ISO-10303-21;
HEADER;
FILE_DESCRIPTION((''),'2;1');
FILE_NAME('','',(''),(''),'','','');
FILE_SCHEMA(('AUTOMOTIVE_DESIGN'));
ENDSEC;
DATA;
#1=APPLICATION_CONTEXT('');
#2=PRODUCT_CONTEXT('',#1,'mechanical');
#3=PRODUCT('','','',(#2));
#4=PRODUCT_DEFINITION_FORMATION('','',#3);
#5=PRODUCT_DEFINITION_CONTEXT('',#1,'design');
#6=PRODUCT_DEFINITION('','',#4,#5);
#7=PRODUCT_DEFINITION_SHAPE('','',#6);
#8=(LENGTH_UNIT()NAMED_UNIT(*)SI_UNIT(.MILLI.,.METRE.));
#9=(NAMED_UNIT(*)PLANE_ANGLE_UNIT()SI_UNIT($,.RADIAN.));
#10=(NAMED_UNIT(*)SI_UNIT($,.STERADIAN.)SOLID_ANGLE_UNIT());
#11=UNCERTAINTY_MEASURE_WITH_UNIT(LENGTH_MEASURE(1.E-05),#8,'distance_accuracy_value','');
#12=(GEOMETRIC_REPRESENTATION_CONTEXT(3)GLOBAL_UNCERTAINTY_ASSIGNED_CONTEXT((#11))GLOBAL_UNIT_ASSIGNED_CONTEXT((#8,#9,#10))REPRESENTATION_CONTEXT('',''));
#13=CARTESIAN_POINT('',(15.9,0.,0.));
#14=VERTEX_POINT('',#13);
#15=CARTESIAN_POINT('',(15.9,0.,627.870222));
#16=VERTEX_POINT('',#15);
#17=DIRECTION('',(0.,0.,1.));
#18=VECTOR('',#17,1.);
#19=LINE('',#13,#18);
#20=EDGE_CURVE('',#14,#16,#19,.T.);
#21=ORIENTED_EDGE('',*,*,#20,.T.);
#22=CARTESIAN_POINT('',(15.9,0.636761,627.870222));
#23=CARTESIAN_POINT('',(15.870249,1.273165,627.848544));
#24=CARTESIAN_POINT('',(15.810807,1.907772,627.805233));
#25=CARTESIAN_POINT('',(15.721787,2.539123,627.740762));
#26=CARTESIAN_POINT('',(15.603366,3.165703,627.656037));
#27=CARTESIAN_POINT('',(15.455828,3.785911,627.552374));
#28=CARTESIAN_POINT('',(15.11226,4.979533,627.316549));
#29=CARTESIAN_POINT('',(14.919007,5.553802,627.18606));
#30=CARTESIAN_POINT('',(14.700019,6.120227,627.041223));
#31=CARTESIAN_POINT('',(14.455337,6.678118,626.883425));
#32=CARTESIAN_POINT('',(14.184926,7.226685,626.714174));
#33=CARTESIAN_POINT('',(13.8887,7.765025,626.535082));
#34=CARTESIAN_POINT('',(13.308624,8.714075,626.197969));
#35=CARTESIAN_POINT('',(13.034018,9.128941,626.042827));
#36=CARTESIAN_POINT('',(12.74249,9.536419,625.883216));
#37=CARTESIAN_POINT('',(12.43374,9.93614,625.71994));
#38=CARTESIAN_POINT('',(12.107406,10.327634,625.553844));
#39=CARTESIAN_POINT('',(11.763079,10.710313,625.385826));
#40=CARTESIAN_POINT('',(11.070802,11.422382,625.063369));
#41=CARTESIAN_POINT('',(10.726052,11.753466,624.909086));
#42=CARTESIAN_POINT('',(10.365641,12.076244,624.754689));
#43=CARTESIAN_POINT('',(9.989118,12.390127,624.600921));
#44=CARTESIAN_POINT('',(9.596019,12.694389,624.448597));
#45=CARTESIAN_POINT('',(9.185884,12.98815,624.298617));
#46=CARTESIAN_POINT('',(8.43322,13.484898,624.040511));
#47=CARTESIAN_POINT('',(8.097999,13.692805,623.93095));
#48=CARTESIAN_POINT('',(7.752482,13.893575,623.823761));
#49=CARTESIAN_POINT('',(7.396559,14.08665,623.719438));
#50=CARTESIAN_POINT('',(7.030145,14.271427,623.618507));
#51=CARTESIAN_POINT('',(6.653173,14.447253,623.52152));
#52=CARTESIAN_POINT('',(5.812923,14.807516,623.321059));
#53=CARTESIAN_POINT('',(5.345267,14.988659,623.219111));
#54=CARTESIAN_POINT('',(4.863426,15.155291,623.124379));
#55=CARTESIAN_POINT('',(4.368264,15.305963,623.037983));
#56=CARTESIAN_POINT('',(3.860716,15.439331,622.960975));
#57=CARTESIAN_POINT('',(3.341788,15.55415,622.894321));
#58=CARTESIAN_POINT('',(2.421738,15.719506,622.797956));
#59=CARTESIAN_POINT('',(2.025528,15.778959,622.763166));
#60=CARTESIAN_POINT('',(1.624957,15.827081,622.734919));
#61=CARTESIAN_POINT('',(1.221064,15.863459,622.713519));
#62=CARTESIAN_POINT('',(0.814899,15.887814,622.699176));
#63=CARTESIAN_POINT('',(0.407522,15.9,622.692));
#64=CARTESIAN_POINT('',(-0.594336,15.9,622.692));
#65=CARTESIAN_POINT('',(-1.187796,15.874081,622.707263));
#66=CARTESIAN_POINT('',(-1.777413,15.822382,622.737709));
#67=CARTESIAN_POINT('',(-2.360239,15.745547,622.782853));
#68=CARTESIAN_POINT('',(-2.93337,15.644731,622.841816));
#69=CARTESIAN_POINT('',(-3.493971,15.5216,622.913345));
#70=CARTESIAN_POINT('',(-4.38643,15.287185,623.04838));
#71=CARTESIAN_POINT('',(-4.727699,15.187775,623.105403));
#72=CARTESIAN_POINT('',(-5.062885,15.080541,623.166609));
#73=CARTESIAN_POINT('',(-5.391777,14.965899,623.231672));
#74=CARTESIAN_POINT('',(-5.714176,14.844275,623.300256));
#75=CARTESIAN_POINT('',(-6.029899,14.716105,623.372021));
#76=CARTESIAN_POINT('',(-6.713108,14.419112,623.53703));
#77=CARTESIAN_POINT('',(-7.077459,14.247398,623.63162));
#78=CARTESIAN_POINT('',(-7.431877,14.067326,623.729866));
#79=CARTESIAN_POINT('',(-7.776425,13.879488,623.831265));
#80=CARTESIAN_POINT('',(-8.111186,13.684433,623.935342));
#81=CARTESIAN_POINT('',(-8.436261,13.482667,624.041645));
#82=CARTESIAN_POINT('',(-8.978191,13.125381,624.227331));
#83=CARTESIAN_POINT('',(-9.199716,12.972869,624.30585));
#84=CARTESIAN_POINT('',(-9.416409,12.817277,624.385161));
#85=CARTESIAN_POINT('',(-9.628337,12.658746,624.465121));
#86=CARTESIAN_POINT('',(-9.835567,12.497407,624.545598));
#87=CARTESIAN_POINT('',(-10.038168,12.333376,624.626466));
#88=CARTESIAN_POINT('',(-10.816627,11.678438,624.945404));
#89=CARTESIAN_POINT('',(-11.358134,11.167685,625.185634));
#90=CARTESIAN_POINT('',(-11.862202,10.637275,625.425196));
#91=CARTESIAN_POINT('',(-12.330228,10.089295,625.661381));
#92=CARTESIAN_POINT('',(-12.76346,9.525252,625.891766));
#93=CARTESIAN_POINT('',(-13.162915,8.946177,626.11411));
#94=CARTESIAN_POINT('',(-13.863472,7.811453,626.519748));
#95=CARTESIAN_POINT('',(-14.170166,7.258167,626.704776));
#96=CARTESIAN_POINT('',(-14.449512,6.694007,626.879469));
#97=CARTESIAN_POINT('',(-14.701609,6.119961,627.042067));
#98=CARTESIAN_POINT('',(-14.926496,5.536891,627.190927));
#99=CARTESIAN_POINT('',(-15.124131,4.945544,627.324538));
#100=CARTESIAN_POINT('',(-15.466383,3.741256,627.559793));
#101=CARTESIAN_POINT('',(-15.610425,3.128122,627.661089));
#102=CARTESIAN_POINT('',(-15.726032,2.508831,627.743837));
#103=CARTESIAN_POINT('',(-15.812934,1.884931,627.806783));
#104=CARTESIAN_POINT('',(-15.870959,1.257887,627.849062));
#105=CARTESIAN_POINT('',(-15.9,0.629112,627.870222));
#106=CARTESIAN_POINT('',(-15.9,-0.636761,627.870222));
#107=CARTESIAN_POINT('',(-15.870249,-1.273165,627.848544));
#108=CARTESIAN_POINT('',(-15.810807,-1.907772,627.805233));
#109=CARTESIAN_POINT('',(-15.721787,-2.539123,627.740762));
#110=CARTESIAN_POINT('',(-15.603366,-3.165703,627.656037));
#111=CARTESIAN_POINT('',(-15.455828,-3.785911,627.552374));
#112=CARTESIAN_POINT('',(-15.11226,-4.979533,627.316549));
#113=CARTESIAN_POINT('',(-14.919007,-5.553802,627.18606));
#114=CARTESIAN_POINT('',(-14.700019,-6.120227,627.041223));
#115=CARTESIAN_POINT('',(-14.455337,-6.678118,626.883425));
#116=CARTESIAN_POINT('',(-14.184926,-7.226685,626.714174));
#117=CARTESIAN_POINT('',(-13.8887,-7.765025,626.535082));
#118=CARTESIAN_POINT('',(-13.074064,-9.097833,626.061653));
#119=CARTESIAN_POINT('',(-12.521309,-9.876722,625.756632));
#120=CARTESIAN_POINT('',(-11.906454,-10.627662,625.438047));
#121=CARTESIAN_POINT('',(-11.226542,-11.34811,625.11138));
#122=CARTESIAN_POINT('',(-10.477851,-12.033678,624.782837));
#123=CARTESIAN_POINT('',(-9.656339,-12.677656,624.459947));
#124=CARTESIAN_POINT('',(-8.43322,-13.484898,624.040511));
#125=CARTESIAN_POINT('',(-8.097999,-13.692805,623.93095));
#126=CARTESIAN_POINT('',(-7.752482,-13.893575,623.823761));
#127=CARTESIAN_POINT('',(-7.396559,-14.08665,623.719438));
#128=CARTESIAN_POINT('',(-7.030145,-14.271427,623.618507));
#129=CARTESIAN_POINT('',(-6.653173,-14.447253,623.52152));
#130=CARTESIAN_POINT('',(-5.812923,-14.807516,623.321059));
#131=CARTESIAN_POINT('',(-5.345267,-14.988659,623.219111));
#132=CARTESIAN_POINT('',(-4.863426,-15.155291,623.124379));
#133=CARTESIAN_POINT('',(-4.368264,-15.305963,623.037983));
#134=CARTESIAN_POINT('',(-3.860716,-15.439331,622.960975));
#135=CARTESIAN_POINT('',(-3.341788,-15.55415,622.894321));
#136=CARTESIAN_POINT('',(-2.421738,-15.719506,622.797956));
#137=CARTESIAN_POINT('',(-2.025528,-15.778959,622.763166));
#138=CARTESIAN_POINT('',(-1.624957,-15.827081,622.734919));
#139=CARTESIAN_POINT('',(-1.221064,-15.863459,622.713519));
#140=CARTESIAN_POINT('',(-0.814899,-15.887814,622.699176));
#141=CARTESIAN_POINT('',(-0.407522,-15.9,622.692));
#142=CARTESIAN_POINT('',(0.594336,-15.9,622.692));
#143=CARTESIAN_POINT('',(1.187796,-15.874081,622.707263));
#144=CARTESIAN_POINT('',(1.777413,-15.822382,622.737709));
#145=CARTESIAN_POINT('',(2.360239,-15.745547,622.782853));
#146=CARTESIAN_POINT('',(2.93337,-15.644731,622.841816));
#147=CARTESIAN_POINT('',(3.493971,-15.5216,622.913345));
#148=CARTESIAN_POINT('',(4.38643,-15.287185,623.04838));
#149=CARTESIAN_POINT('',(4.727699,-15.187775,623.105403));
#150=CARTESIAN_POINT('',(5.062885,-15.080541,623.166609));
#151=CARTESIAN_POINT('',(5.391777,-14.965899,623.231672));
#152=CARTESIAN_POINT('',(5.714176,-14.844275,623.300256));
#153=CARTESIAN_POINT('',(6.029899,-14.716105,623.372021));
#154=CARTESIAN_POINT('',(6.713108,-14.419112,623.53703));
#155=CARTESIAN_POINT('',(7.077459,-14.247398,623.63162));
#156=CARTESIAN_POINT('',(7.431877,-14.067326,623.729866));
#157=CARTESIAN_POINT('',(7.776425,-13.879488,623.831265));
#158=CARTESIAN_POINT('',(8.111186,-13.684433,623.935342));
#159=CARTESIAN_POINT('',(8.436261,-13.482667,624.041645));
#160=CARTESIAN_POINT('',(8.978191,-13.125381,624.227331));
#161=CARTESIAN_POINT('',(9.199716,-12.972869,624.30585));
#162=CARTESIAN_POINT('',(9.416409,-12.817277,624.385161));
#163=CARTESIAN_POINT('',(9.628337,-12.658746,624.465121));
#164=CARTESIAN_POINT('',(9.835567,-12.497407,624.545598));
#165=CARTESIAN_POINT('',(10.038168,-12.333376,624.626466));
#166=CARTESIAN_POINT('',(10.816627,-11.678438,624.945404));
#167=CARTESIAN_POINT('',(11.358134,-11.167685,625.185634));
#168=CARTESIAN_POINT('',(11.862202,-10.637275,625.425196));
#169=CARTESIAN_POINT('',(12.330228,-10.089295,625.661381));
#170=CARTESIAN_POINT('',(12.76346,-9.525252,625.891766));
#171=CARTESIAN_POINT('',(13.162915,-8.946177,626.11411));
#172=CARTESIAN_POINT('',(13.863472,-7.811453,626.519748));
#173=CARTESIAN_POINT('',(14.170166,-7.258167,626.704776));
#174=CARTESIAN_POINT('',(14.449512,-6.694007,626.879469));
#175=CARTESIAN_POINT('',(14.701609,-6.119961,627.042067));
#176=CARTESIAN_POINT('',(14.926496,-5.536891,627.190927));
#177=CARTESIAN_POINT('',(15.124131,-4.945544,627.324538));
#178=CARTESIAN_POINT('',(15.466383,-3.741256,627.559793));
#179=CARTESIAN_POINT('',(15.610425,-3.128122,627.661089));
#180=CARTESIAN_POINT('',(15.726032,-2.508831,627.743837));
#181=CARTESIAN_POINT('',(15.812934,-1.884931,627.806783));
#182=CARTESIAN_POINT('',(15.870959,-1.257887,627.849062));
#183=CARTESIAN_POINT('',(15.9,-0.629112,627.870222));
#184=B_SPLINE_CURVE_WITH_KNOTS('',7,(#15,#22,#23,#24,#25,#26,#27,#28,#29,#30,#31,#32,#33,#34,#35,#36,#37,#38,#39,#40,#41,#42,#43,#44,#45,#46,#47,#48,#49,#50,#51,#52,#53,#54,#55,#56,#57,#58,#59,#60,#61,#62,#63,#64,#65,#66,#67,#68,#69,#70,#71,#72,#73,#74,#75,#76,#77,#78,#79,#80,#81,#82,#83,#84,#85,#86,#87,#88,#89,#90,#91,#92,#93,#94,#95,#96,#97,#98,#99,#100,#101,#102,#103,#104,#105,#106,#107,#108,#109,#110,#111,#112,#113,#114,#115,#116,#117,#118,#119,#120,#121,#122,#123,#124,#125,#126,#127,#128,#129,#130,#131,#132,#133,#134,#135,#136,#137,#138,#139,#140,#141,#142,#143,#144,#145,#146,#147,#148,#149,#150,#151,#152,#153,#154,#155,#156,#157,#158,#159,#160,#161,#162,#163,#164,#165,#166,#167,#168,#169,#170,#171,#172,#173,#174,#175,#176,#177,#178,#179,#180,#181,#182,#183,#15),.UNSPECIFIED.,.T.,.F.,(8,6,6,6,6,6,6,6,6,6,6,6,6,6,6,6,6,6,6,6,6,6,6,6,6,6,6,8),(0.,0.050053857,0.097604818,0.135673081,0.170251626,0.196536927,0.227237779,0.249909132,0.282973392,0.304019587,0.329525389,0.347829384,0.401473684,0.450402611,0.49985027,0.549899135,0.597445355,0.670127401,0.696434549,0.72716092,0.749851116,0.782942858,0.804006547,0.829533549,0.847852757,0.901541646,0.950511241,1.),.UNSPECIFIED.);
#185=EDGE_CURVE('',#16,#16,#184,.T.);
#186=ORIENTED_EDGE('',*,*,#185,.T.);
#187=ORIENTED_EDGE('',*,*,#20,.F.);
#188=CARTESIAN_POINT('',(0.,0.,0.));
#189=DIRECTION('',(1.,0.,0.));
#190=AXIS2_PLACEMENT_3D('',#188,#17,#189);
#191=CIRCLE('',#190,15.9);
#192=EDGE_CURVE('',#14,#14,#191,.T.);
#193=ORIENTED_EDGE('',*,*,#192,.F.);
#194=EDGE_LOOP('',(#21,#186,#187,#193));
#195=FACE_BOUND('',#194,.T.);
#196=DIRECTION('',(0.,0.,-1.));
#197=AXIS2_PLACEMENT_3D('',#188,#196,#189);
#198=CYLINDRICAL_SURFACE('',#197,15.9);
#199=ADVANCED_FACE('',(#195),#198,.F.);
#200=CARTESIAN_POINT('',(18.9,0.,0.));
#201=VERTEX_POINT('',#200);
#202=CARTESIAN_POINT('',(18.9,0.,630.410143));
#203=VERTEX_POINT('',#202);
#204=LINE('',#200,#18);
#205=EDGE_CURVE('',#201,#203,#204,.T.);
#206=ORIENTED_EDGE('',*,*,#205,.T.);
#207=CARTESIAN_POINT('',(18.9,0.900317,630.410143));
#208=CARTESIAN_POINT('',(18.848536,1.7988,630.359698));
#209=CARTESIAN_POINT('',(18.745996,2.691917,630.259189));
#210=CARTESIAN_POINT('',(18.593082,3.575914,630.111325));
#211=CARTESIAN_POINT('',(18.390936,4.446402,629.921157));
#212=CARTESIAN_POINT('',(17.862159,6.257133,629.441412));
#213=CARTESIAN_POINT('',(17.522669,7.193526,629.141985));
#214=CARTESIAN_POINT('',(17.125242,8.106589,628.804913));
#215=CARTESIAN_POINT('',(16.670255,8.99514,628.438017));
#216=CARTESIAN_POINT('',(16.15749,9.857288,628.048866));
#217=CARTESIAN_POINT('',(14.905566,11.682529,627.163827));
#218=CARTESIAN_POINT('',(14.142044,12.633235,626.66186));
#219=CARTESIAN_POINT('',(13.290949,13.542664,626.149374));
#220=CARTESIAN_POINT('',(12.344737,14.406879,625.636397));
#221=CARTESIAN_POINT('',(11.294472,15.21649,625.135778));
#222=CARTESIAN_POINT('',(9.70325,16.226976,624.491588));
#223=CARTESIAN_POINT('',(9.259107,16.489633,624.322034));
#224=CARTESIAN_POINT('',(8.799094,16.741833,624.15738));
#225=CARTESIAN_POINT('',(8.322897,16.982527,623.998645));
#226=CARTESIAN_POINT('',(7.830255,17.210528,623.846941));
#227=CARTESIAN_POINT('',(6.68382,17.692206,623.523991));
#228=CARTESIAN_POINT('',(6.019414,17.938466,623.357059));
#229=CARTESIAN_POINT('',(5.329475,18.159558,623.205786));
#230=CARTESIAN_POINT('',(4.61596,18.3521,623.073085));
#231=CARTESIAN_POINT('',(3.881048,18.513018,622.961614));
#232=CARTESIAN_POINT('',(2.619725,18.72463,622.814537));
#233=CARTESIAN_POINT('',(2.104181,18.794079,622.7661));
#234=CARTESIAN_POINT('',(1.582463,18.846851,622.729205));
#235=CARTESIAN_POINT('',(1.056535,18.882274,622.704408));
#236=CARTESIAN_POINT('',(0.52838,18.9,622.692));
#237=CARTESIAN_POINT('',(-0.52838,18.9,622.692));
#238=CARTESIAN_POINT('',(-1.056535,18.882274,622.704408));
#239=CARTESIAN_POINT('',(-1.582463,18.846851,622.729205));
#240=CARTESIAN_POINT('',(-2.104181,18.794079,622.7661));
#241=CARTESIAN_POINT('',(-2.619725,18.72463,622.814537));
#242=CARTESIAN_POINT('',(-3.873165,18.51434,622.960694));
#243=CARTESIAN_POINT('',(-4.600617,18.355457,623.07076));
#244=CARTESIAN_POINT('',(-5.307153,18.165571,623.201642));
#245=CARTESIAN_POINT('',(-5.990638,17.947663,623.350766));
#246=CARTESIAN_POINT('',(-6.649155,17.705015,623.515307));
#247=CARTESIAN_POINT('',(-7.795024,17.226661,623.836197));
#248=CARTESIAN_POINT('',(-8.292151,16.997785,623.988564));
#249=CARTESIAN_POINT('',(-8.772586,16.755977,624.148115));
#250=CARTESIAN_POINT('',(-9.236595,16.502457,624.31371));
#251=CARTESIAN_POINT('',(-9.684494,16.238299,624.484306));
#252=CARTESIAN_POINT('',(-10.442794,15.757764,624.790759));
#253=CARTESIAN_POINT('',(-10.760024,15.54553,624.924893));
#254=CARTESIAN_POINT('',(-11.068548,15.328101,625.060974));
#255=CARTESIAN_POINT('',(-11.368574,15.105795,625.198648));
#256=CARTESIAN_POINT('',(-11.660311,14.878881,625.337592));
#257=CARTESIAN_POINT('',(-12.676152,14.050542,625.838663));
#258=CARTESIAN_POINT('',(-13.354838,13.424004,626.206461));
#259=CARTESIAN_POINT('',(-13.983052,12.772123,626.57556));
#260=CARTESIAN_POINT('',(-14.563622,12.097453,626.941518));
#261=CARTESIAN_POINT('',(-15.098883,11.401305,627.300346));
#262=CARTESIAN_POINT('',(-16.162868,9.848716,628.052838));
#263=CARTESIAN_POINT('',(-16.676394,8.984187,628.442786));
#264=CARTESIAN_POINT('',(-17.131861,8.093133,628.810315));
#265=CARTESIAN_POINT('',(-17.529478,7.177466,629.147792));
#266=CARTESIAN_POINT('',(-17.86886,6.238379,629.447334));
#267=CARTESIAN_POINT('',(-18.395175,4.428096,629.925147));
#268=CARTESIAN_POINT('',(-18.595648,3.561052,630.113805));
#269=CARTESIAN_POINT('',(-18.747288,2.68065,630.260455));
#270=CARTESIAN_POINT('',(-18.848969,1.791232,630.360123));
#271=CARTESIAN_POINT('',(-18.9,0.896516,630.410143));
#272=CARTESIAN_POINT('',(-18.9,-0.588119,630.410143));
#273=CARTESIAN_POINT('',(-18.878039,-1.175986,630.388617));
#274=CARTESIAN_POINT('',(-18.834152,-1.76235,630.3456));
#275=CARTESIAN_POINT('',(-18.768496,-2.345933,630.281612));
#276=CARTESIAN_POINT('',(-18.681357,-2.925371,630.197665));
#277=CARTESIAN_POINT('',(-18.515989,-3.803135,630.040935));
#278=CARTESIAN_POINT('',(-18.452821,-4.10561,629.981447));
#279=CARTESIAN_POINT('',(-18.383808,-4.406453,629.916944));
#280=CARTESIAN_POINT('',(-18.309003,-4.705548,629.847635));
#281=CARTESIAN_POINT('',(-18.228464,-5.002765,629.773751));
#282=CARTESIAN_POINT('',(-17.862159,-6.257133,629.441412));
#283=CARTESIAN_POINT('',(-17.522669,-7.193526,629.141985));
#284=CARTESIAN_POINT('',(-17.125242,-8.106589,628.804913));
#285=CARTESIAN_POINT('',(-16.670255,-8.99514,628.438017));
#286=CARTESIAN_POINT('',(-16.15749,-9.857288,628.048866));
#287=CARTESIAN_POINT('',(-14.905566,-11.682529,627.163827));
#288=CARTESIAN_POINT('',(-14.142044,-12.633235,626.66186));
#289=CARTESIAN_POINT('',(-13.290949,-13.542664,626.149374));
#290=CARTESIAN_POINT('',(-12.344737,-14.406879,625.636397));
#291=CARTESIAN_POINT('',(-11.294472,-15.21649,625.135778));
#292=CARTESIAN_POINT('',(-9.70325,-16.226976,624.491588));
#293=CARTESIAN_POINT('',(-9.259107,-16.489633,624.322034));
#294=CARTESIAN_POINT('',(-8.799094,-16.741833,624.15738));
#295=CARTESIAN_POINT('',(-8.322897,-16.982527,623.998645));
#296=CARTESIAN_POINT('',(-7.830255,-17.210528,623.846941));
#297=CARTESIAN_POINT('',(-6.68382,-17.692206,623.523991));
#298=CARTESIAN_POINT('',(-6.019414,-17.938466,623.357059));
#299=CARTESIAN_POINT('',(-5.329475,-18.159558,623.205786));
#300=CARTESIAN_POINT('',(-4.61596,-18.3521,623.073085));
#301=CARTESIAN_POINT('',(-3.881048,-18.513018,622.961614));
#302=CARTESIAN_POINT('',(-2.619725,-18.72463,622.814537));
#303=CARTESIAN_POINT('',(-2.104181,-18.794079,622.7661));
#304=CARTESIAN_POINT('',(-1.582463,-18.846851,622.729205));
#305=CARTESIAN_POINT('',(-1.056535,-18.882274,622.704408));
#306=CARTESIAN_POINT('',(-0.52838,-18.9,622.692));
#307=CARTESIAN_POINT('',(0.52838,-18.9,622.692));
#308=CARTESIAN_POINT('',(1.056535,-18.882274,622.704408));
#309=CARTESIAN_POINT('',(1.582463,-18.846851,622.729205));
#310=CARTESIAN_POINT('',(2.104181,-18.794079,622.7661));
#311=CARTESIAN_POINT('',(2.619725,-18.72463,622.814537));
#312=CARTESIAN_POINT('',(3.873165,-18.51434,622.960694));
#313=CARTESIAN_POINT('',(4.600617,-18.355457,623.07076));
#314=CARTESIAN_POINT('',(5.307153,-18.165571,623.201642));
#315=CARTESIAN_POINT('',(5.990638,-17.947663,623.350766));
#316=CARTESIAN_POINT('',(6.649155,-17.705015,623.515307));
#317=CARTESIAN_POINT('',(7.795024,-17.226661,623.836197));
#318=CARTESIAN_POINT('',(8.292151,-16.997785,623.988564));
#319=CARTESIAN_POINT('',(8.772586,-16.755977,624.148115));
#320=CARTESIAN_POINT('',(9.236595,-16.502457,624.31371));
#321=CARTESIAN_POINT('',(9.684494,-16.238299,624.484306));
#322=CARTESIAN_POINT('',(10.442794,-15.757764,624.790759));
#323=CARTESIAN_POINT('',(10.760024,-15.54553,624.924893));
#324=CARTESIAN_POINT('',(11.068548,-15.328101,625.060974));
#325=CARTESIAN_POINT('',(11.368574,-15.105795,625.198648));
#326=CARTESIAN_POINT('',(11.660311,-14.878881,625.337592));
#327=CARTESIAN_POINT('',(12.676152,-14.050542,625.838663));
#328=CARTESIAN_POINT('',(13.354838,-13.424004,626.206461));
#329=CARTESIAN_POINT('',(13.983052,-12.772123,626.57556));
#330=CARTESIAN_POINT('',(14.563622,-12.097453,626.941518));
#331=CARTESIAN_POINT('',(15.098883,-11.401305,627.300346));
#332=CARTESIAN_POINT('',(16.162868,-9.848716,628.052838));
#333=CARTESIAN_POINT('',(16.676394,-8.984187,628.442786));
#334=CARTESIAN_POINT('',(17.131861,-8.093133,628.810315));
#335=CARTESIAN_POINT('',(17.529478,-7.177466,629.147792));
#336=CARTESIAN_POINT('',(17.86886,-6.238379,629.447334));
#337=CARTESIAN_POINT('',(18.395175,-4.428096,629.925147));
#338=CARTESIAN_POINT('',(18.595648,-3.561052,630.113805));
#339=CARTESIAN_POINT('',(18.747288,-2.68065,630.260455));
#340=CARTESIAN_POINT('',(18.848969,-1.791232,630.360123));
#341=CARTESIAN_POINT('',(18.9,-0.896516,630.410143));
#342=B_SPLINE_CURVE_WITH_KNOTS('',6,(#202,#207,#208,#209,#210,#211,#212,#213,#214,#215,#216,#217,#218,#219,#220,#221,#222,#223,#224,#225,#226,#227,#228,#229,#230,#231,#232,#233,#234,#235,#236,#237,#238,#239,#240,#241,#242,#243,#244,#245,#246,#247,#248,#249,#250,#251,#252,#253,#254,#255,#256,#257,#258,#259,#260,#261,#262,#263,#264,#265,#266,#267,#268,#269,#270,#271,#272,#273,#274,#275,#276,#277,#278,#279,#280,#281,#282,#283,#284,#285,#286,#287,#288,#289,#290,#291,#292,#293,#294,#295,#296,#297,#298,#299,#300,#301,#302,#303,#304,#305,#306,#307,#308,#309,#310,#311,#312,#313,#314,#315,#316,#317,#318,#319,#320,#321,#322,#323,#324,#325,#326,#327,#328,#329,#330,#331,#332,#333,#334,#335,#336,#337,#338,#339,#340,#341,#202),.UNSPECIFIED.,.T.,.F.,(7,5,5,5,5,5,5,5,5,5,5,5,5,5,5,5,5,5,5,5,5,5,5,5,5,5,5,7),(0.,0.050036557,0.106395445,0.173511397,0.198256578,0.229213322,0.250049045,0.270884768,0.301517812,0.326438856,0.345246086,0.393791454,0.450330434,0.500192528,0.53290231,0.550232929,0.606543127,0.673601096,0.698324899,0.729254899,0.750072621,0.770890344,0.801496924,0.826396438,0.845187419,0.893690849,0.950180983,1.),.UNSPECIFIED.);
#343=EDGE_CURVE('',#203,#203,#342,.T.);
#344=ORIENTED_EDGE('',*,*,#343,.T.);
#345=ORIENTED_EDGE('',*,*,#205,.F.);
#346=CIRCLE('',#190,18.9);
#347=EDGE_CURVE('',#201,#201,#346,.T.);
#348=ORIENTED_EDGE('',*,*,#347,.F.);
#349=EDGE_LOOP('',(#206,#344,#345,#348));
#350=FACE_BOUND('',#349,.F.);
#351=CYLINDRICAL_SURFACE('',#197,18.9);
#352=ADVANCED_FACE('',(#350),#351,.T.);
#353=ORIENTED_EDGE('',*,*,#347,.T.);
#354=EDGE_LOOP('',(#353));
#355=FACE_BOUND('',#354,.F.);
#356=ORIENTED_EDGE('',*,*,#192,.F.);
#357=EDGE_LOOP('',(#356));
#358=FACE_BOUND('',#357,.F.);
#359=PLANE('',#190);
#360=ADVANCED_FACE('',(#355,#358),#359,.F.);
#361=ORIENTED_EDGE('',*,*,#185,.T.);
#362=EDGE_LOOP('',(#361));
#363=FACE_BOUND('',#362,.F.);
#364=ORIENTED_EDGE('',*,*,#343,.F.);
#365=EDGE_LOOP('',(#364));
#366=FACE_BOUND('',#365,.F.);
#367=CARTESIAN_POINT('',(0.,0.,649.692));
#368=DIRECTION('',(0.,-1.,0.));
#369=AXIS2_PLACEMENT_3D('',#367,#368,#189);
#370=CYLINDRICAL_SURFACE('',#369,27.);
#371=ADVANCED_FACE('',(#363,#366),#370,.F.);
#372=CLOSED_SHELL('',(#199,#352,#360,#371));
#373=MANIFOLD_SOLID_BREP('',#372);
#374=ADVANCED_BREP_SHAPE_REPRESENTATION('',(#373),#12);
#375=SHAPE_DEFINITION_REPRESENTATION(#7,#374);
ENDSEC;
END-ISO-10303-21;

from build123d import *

# Parameters (mm, degrees)
F0_R     = 18.9
F0_R_2   = 15.9
F1_DEPTH = 649.692
F5_R     = 27
F6_DEPTH = 50


with BuildPart() as f1:
    # F0 (on Top) → F1 (new body)
    with BuildSketch(Plane.XY):
        Circle(F0_R)
        Circle(F0_R_2, mode=Mode.SUBTRACT)
    extrude(amount=F1_DEPTH)

    # F5 (on face) → F6 (cut, symmetric)
    with BuildSketch(Plane.XZ):
        with Locations((0, 649.692)):
            Circle(F5_R)
    extrude(amount=F6_DEPTH, both=True, mode=Mode.SUBTRACT)


solid = f1.part
